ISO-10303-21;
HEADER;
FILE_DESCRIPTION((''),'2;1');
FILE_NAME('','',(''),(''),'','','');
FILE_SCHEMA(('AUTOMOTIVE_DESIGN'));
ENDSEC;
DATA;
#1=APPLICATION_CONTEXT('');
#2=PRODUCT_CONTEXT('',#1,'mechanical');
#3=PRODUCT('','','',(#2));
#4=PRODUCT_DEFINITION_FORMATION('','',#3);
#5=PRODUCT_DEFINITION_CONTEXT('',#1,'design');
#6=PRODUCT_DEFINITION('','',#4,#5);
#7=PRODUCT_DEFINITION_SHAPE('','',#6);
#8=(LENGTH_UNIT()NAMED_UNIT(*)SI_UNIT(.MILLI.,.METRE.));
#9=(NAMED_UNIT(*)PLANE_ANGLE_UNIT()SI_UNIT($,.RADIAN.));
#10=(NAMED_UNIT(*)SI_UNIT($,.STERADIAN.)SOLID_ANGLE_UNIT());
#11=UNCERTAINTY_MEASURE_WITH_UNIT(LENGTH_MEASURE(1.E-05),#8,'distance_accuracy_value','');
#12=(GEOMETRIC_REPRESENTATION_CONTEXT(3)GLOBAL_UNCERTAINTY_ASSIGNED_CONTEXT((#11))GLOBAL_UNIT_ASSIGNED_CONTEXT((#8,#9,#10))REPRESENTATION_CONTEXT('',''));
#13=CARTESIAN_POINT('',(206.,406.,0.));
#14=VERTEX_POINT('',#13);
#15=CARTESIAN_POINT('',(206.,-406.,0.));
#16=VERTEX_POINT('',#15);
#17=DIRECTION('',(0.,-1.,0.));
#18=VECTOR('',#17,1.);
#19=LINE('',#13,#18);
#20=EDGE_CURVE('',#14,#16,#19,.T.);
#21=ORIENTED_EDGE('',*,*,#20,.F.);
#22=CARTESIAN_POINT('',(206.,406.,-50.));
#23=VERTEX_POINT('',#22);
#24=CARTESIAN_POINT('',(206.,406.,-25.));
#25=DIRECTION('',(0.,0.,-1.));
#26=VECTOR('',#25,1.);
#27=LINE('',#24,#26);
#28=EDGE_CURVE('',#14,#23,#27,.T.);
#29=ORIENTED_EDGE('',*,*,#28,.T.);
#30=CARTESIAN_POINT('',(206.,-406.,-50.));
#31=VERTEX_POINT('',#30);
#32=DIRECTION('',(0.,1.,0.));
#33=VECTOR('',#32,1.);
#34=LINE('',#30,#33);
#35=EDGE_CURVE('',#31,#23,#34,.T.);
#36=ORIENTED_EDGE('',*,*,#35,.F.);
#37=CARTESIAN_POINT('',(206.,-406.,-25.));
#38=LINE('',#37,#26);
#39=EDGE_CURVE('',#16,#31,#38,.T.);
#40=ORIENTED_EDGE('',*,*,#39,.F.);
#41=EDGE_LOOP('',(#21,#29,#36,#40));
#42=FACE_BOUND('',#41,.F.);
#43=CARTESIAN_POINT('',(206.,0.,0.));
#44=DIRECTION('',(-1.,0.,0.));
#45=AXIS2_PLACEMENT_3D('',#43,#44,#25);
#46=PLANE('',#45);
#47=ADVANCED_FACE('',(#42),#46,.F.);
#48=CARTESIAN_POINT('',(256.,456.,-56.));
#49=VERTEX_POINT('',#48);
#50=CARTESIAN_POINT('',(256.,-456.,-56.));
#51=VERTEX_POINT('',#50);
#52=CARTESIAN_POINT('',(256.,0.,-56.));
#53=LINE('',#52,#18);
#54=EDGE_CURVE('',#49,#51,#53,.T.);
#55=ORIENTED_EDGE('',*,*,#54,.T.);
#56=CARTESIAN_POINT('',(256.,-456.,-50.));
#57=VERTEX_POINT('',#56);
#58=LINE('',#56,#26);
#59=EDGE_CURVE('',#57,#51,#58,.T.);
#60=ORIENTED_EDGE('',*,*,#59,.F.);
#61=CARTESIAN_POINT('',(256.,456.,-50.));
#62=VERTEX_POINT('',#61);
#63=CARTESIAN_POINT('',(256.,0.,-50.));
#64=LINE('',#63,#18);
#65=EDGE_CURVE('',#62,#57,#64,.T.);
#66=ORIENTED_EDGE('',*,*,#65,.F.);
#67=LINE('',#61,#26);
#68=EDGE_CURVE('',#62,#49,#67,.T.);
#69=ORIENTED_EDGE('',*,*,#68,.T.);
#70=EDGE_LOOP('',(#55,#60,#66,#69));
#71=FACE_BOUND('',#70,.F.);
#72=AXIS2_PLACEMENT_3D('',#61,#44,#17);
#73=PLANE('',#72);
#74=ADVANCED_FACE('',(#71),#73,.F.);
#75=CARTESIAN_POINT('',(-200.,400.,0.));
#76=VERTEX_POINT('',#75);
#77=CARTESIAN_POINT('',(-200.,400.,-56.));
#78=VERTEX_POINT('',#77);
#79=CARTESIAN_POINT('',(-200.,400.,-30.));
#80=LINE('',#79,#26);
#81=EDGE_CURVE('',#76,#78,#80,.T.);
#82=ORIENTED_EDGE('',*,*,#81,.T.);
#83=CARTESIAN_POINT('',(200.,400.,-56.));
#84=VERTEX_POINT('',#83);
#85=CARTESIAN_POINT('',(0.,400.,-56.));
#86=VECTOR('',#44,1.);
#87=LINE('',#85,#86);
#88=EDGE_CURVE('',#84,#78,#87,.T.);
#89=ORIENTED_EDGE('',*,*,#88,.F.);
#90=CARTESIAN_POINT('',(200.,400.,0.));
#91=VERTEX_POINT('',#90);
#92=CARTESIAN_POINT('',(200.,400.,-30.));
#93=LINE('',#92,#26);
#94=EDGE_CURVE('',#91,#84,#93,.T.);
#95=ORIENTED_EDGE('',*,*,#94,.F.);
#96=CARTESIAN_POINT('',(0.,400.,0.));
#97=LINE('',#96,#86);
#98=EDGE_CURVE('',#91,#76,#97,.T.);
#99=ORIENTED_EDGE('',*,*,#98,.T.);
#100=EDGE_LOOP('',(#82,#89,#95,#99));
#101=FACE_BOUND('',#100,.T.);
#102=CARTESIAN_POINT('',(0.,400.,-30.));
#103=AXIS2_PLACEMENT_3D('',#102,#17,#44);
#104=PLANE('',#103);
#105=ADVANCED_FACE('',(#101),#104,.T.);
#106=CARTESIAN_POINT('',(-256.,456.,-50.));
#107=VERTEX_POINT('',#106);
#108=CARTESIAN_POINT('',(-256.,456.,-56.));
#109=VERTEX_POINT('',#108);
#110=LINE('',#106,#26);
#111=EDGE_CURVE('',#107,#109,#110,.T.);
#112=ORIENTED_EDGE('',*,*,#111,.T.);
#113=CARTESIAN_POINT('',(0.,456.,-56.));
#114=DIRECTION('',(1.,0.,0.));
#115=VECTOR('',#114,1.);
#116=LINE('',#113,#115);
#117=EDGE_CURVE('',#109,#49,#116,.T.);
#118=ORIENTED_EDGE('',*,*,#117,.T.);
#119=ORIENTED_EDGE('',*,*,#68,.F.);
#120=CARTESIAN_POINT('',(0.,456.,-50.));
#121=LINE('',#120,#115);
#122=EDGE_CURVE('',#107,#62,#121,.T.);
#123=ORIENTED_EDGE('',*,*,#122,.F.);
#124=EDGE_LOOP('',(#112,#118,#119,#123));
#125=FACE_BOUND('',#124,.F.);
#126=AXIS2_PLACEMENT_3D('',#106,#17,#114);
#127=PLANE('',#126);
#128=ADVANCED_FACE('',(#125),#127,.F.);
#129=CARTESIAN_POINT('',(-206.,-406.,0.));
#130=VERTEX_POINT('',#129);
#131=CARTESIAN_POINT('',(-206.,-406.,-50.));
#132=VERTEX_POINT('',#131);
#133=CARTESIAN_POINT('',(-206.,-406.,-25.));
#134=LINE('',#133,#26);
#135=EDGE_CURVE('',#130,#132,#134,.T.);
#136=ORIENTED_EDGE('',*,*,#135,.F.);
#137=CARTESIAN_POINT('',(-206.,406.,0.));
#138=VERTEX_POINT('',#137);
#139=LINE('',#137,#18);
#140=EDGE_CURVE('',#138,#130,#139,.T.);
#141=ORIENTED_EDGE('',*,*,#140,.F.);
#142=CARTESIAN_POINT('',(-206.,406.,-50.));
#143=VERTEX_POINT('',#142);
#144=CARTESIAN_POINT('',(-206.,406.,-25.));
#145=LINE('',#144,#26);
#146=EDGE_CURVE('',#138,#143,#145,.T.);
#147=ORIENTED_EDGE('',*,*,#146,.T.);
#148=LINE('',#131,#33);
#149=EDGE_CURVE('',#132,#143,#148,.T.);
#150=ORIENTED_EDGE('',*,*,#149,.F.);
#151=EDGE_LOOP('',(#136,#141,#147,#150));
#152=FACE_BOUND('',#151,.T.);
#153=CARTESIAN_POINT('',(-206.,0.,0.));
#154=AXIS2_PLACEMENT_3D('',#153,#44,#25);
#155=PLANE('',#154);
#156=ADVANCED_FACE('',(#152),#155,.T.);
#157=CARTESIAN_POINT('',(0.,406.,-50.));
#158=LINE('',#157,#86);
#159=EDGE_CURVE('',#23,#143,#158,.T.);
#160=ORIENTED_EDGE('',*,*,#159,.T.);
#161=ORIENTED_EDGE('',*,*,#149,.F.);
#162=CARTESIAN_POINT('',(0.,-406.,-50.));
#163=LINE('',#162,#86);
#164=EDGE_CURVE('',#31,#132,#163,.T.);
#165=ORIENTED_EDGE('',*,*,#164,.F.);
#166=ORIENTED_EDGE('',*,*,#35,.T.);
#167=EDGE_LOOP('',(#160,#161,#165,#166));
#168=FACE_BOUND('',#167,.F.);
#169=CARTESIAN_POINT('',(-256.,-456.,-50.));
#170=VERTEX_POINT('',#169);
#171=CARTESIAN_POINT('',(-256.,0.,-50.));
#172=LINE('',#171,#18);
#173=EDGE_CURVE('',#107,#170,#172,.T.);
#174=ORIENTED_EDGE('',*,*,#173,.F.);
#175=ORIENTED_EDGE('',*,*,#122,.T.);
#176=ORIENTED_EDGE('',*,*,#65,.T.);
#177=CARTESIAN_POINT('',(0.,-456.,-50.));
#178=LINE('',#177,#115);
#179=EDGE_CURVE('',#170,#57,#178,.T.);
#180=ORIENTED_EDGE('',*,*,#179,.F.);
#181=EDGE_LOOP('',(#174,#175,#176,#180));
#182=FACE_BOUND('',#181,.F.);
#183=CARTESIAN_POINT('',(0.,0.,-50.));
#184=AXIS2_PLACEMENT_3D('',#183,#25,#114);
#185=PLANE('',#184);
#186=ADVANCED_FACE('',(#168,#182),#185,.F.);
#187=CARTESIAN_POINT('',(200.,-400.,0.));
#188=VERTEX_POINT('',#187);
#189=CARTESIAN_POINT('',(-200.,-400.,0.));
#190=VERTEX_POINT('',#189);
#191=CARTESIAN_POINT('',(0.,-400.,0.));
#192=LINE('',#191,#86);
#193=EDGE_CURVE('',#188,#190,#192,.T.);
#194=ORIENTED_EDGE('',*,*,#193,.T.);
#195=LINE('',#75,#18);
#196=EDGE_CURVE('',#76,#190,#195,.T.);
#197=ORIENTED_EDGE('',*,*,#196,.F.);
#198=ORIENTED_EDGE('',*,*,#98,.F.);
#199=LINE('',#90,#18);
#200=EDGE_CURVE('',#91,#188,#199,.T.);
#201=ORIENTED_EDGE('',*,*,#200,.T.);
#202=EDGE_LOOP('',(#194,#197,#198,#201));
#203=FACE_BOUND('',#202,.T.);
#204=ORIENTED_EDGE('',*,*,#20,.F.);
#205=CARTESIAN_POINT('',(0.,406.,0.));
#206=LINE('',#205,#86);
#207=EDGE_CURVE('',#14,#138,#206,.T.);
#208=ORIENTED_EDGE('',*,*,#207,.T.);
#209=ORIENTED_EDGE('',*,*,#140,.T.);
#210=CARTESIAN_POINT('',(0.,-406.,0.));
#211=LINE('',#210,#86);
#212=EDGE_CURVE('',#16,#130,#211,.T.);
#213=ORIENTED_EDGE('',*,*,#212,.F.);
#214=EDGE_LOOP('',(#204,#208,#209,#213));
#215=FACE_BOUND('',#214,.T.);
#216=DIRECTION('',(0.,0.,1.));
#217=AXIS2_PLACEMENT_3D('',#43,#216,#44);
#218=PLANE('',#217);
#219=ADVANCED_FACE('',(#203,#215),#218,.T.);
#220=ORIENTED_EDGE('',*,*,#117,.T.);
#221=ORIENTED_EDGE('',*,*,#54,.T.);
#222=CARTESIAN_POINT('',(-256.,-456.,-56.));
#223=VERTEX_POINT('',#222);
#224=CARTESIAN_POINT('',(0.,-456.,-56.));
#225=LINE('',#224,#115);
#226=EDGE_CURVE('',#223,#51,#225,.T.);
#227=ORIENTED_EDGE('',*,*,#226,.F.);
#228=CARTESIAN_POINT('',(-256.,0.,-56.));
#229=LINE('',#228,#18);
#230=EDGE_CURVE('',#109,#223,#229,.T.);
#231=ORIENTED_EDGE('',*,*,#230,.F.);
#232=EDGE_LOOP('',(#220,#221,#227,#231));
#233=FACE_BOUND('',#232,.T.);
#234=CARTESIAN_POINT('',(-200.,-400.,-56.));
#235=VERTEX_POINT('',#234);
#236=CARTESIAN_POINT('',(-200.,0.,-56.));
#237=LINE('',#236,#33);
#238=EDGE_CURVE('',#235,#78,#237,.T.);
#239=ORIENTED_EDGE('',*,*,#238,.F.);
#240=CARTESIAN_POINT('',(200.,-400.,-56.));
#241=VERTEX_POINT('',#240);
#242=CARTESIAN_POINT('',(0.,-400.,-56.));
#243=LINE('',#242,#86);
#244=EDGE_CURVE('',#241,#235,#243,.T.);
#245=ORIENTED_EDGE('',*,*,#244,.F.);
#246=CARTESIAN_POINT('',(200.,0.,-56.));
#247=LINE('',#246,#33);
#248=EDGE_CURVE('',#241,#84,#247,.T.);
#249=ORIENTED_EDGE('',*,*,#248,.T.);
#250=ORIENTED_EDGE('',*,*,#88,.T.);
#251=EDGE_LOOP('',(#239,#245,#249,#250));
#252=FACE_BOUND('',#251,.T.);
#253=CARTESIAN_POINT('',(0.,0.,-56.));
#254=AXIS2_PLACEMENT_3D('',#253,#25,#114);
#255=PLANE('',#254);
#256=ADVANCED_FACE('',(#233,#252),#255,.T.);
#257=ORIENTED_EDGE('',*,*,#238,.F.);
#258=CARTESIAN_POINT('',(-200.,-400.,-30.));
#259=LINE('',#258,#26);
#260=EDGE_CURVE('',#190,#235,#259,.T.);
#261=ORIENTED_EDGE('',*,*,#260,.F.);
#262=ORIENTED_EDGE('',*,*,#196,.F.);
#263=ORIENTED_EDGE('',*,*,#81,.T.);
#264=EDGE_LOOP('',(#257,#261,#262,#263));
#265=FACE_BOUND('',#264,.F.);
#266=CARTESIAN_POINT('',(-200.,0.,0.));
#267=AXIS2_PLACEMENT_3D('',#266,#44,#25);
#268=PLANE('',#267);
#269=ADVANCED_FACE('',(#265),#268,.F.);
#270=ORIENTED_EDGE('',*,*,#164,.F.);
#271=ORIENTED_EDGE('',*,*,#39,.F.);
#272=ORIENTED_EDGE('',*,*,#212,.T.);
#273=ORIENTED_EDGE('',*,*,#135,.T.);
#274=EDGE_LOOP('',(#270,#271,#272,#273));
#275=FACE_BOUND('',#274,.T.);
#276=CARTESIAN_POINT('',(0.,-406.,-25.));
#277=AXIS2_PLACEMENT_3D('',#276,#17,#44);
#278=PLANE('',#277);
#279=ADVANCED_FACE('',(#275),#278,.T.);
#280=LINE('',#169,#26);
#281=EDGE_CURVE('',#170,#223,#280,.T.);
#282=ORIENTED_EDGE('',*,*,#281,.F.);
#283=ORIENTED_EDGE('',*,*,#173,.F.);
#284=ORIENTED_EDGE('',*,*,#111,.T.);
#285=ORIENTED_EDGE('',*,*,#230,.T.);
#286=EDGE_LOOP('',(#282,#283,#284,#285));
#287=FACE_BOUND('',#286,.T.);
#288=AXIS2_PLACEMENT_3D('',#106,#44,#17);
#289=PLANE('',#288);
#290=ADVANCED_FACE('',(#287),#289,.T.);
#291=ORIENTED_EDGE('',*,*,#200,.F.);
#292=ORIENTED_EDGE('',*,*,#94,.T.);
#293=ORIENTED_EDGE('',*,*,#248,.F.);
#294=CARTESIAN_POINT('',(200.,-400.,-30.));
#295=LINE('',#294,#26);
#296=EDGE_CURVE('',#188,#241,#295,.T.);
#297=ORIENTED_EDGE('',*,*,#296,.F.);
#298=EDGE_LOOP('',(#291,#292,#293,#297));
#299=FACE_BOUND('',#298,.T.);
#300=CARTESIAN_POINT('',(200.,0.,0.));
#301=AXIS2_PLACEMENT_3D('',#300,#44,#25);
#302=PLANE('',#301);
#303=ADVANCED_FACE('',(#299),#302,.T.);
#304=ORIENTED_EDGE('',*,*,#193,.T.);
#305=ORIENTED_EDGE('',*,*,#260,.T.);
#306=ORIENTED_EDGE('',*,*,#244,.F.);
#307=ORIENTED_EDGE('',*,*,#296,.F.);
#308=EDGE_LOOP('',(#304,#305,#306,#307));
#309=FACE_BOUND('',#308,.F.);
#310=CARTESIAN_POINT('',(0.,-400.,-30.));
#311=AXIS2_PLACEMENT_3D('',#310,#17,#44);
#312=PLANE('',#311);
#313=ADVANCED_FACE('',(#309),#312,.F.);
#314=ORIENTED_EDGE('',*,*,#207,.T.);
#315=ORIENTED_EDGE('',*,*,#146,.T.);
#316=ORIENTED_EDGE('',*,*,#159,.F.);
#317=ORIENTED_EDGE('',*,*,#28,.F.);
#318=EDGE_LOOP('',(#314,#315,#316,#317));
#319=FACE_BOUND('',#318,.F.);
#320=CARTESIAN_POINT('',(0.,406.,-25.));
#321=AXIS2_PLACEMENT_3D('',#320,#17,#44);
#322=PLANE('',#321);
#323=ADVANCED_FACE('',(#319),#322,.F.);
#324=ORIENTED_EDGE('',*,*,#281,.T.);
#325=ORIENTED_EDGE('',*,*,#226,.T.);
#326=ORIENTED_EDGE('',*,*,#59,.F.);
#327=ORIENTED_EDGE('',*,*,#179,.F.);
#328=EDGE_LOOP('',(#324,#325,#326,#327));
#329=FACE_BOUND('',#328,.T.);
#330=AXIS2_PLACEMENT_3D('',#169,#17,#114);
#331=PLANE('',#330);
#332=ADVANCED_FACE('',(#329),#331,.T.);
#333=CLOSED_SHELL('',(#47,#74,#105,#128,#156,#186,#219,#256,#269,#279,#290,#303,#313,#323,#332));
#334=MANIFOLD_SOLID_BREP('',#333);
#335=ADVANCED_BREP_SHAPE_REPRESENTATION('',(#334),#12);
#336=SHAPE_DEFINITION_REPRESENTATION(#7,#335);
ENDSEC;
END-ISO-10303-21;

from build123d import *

# Parameters (mm, degrees)
SKETCH046_W            = 400
SKETCH046_H            = 60
PAD003_DEPTH           = 400
SKETCH047_W            = 412
SKETCH047_H            = 50
PAD010_DEPTH           = 406
SKETCH048_W            = 512
SKETCH048_H            = 912
PAD011_DEPTH           = 6
CUT001_PLACEMENT_ANGLE = 180


with BuildPart() as body002:
    # Sketch046 → Pad003 (new body, symmetric)
    with BuildSketch(Plane.XZ):
        with Locations((0, 30)):
            Rectangle(SKETCH046_W, SKETCH046_H)
    extrude(amount=PAD003_DEPTH, both=True)


with BuildPart() as cut001:
    # Sketch047 → Pad010 (new body, symmetric)
    with BuildSketch(Plane.XZ):
        with Locations((0, 25)):
            Rectangle(SKETCH047_W, SKETCH047_H)
    extrude(amount=PAD010_DEPTH, both=True)

    # Sketch048 (on Face3 of Pad010) → Pad011 (join)
    with BuildSketch(Plane(origin=(0, 0, 50), x_dir=(-1, 0, 0), z_dir=(0, 0, 1))):
        Rectangle(SKETCH048_W, SKETCH048_H)
    extrude(amount=PAD011_DEPTH)

    # Cut001: cut Body002
    add(body002.part, mode=Mode.SUBTRACT)


with BuildPart() as cut001_1:
    # Cut001 placement: moved
    add(cut001.part.rotate(Axis((0, 0, 0), (0, 1, 0)), CUT001_PLACEMENT_ANGLE))


solid = cut001_1.part
